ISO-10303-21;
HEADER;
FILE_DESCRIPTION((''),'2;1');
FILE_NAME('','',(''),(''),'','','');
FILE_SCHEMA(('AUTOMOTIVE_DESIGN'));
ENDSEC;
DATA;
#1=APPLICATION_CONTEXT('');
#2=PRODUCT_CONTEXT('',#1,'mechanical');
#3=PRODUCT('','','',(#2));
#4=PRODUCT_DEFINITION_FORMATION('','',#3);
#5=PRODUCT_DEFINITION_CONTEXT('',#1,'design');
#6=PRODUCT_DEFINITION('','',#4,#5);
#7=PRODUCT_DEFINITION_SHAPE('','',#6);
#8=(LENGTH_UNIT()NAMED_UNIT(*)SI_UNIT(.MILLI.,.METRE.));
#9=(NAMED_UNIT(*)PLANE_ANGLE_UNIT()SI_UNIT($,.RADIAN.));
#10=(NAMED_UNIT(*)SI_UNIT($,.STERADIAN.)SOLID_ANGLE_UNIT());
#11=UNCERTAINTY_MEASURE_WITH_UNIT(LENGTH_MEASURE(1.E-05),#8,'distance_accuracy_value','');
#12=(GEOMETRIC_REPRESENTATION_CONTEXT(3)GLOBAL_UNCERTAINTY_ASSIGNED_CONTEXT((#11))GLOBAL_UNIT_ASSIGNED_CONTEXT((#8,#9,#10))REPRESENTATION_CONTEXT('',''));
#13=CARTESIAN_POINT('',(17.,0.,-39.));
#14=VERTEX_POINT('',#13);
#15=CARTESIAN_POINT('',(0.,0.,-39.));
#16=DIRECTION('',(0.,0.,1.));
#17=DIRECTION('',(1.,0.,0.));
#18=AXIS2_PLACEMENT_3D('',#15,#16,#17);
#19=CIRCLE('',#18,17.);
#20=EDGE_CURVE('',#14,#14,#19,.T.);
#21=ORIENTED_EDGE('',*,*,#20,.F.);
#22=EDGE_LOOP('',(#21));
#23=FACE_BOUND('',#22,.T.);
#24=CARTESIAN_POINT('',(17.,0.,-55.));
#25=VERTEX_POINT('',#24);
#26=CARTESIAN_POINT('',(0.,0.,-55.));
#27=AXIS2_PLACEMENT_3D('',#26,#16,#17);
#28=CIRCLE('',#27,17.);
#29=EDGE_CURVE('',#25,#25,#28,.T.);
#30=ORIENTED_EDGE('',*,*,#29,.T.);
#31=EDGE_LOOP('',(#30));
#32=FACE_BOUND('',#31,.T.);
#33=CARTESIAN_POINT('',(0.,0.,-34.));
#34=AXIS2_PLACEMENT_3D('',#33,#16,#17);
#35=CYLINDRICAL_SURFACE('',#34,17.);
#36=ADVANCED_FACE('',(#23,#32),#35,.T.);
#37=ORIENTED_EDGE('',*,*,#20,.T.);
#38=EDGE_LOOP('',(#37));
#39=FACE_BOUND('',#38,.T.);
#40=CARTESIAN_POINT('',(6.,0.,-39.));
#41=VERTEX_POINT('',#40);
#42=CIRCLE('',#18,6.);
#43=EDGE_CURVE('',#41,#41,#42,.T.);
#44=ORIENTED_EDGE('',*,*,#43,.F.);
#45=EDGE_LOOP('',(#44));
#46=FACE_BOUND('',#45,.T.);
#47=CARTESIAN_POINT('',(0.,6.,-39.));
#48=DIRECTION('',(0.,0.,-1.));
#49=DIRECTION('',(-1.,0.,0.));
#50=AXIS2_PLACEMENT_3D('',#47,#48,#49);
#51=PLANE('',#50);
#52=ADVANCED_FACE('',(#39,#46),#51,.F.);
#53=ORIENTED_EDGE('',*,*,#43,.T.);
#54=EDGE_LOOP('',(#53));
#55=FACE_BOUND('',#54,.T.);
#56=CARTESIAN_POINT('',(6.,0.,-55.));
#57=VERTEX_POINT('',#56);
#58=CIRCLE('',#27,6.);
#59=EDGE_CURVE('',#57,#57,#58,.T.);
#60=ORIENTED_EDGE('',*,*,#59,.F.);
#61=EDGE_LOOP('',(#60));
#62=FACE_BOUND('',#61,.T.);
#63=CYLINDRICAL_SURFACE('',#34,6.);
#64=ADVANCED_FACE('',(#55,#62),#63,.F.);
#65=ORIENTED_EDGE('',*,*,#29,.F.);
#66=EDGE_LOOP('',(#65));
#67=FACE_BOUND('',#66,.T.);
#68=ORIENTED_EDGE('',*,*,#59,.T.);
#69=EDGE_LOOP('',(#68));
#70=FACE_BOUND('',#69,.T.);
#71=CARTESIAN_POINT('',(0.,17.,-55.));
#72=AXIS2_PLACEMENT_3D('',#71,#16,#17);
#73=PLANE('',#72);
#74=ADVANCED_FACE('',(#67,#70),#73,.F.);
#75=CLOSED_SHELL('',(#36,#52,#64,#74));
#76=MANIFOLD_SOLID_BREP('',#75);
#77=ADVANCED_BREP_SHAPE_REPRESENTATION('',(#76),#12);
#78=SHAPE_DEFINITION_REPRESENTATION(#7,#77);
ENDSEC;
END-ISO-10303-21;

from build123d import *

# Parameters (mm, degrees)
SKETCH_1_W = 16
SKETCH_1_H = 11


with BuildPart() as part:
    # 草图1 → 旋转1 (revolve)
    with BuildSketch(Plane(origin=(0, 0, 0), x_dir=(0, 0, -1), z_dir=(1, 0, 0)), mode=Mode.PRIVATE) as revolve_1_sk:
        with Locations((47, 11.5)):
            Rectangle(SKETCH_1_W, SKETCH_1_H)
    revolve(revolve_1_sk.sketch.rotate(Axis((0, 0, -34), (0, 0, -1)), 90), axis=Axis((0, 0, -34), (0, 0, -1)))


solid = part.part
